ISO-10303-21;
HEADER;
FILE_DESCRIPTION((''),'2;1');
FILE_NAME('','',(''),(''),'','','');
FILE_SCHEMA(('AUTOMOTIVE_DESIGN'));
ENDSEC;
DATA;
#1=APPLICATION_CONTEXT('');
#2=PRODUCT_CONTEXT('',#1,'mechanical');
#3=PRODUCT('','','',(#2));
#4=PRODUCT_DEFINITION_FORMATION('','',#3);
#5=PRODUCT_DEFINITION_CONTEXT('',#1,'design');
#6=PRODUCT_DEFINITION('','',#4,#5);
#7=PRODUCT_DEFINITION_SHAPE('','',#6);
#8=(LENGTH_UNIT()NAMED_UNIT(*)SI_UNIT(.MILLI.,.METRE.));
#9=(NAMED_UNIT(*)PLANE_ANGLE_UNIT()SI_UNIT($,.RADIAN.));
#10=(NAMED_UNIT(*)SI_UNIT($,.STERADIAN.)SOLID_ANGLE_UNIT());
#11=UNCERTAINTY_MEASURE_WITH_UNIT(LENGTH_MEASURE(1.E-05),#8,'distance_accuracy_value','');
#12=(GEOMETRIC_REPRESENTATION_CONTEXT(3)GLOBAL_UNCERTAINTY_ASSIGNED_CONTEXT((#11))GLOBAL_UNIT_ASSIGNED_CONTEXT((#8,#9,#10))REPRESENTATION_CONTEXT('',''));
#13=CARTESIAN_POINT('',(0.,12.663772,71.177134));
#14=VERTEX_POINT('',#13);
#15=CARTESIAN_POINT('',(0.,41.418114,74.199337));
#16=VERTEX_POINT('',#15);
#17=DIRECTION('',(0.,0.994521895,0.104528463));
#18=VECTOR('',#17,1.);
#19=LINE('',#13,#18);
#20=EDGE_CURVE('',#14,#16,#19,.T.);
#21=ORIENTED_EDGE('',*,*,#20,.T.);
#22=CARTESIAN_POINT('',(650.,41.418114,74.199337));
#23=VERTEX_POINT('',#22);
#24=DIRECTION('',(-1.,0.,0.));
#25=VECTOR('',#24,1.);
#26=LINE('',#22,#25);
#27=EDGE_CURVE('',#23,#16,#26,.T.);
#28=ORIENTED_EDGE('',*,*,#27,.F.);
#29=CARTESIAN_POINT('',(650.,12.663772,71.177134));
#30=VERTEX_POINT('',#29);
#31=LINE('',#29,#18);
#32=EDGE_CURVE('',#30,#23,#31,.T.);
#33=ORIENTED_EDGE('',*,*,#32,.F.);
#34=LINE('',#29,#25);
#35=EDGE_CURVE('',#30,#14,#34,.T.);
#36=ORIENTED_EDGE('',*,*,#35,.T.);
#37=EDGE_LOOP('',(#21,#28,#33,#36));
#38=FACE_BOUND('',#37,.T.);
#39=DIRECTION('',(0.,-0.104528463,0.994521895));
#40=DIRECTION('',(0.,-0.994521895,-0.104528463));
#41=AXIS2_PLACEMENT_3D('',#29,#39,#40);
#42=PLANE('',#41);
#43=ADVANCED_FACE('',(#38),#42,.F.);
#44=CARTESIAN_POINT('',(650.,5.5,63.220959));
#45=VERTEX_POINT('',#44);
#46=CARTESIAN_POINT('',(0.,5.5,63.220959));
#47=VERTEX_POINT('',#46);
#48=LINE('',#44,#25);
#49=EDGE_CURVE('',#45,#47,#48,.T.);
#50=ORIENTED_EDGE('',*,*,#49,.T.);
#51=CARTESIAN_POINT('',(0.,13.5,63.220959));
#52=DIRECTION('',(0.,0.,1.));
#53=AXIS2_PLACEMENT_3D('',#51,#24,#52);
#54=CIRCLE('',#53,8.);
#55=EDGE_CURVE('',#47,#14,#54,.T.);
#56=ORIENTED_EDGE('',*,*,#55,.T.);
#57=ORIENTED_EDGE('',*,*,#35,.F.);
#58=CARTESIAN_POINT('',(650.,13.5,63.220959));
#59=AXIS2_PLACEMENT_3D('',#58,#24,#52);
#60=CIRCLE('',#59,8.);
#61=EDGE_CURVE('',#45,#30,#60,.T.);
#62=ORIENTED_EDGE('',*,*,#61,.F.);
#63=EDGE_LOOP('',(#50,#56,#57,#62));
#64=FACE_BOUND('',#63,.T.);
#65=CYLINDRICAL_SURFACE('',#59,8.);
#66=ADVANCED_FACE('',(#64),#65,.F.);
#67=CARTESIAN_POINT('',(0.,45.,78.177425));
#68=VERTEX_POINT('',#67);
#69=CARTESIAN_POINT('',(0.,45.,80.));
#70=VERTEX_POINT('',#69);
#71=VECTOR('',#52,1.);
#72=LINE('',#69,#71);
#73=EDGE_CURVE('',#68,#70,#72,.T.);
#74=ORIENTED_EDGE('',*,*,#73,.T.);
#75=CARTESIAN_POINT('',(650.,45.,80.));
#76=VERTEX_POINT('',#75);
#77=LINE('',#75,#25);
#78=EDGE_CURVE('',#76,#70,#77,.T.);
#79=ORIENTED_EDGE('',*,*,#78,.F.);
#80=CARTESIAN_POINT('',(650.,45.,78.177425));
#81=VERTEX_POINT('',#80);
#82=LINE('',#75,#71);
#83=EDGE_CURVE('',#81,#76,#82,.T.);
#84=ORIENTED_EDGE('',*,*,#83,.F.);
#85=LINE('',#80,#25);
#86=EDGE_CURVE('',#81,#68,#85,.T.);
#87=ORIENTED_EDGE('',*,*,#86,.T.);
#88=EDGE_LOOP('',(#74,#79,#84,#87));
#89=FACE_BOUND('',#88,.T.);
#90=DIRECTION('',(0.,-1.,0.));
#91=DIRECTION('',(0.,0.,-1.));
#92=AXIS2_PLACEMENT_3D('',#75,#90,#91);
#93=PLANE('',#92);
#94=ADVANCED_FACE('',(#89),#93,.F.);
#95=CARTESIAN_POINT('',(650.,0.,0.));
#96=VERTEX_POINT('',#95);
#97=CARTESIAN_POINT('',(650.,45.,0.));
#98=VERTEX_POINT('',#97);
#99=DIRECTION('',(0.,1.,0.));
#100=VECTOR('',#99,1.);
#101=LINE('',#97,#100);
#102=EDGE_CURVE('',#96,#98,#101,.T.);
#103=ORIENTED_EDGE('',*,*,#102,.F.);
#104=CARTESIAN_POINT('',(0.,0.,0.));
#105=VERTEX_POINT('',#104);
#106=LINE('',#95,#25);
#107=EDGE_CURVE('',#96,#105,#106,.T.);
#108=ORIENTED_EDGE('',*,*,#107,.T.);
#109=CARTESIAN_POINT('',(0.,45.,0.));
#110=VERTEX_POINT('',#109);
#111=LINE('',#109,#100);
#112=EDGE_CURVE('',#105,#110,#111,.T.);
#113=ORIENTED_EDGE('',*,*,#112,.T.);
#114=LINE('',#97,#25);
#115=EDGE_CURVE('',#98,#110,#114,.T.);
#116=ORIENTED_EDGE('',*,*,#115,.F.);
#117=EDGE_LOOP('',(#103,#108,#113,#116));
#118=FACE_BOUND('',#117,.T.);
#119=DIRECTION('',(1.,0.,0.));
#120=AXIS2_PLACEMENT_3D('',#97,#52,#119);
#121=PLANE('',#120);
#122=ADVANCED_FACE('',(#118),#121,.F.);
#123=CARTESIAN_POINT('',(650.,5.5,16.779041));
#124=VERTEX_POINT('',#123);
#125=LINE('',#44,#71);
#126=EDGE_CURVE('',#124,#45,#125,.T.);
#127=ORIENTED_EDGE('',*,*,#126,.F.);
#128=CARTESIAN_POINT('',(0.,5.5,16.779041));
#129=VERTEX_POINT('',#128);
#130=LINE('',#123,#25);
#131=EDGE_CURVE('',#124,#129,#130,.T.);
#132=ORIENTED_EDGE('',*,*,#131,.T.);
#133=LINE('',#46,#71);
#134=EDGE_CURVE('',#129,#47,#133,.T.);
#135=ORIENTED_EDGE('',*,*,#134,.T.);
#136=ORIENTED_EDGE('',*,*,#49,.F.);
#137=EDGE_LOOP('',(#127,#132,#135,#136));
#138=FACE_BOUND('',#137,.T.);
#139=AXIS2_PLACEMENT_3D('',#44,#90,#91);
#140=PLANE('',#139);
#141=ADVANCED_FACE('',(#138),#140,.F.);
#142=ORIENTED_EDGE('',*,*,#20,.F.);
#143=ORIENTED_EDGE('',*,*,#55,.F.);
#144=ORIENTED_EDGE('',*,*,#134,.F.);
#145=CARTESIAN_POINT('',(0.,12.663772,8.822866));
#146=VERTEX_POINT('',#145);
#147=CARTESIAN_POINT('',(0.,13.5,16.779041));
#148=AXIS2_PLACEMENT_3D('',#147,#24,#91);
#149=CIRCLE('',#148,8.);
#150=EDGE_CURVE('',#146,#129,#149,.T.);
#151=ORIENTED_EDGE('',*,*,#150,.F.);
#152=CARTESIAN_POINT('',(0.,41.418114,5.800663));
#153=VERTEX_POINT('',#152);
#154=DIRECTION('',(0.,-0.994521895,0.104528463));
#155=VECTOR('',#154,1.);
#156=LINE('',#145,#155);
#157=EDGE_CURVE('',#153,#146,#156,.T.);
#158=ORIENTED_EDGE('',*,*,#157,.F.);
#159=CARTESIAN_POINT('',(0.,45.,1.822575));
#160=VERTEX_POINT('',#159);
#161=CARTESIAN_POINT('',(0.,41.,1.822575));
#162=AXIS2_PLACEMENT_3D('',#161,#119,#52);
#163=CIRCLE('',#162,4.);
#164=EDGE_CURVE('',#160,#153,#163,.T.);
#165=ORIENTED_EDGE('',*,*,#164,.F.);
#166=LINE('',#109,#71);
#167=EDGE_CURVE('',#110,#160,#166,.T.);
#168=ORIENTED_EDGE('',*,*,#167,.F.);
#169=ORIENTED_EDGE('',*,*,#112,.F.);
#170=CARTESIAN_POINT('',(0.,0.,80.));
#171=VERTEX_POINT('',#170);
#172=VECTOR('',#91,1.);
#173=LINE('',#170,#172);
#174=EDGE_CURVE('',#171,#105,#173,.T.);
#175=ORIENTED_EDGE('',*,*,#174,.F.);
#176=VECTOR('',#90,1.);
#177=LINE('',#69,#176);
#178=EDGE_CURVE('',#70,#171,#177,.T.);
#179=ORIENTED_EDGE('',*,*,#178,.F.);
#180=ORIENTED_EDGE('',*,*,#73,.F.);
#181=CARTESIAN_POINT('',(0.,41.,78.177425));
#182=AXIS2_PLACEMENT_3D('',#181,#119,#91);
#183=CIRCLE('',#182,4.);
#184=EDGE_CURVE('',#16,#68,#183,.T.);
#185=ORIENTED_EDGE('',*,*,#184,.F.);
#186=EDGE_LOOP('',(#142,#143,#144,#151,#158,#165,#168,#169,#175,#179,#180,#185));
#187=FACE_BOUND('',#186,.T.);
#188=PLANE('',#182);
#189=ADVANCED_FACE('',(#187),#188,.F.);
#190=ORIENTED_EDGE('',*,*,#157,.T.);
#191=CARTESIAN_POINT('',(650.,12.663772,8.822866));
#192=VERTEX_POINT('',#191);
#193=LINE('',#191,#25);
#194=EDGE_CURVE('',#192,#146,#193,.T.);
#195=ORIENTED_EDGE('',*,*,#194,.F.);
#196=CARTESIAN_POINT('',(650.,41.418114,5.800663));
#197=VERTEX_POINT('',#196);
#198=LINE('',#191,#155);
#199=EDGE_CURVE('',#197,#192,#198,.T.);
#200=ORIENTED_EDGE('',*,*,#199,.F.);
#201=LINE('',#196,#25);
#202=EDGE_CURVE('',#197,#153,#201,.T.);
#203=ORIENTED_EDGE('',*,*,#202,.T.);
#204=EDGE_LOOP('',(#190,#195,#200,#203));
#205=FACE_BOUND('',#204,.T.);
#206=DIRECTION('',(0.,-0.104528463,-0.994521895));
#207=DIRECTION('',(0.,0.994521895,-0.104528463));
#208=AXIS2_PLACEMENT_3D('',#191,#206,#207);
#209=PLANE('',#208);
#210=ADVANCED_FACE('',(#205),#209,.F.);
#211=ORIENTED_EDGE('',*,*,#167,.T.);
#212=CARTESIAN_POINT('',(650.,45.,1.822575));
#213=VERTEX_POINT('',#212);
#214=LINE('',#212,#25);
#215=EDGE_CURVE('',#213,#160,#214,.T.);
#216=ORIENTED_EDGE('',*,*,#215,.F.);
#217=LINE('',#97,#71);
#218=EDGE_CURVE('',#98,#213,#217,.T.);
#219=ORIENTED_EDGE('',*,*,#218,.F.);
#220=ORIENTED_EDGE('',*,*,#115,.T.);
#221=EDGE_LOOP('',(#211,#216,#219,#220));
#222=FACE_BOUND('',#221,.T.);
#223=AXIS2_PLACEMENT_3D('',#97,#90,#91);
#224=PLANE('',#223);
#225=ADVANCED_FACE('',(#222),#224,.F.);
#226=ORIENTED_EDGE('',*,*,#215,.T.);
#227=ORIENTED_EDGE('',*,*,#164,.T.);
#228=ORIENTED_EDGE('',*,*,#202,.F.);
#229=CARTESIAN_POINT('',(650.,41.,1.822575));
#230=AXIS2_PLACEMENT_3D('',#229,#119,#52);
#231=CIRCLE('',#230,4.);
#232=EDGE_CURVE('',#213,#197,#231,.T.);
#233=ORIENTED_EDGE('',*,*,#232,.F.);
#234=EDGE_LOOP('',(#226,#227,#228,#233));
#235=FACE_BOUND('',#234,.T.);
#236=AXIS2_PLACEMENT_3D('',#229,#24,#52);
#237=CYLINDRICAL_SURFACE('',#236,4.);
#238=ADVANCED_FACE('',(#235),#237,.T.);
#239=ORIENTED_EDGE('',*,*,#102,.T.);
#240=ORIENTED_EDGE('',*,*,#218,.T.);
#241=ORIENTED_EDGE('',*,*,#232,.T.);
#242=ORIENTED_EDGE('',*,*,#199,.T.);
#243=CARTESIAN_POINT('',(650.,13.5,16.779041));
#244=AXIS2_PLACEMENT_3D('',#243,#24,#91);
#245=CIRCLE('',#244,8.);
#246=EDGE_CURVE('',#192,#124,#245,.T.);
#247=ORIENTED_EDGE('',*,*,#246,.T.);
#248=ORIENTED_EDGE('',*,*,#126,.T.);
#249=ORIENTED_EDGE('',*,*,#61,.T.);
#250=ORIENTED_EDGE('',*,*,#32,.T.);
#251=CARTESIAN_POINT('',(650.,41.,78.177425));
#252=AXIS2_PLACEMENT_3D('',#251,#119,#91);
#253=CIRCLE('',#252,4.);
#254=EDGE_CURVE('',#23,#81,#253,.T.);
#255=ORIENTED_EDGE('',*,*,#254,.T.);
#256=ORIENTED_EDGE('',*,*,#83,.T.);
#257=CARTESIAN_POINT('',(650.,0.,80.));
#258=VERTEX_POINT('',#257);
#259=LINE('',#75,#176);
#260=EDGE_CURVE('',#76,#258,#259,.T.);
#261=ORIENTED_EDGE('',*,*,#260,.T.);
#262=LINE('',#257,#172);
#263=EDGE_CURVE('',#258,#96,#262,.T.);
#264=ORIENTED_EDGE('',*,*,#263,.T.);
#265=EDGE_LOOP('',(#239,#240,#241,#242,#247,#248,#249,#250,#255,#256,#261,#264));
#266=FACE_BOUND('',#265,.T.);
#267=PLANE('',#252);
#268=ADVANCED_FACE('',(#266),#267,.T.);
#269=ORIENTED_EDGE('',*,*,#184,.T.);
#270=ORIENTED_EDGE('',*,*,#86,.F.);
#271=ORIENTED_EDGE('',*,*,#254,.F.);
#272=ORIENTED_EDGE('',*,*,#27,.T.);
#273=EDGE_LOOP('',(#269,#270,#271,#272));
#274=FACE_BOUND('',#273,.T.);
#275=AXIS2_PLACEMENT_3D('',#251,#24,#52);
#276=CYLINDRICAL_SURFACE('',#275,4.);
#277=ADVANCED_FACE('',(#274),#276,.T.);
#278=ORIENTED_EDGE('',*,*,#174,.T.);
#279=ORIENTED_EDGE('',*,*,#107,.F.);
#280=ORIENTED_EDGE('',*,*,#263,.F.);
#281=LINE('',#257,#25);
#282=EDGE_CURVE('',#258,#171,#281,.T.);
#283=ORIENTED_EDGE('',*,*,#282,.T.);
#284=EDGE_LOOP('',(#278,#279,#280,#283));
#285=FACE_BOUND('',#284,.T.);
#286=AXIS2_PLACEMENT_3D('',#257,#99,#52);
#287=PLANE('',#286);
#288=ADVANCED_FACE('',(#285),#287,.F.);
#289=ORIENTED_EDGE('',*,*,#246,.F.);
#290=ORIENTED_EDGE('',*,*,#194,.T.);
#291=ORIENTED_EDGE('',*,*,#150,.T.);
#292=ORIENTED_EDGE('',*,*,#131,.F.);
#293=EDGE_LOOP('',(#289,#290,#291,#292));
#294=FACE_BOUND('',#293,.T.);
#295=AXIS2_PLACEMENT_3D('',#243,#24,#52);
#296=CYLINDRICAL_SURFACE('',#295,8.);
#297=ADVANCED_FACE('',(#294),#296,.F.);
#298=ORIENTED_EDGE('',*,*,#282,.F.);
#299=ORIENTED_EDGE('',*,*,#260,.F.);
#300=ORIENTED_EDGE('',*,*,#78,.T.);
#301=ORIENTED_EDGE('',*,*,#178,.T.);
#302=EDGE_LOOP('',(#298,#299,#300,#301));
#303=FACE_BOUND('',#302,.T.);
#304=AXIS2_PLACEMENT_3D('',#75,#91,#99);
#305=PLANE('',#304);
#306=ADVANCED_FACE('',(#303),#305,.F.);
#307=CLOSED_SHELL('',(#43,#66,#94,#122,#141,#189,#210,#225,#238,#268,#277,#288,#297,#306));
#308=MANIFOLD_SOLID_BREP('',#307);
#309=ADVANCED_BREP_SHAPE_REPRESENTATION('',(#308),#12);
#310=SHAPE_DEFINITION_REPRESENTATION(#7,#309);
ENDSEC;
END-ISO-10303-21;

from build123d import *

# Parameters (mm, degrees)
CANAL_C_80_X_8_1_DEPTH = 650


with BuildPart() as part:
    # Sketch15 → Canal c 80 X 8(1) (new body)
    with BuildSketch(Plane.YZ):
        with BuildLine():
            Line((45, 80), (0, 80))
            Line((0, 80), (0, 0))
            Line((0, 0), (45, 0))
            Line((45, 0), (45, 1.822575175))
            ThreePointArc((45, 1.822575175), (43.972579302, 4.499097601), (41.418113853, 5.800662757))
            Line((41.418113853, 5.800662757), (12.663772294, 8.822865837))
            ThreePointArc((12.663772294, 8.822865837), (7.554841396, 11.425996149), (5.5, 16.779041))
            Line((5.5, 16.779041), (5.5, 63.220959))
            ThreePointArc((5.5, 63.220959), (7.554841396, 68.574003851), (12.663772294, 71.177134163))
            Line((12.663772294, 71.177134163), (41.418113853, 74.199337243))
            ThreePointArc((41.418113853, 74.199337243), (43.972579302, 75.500902399), (45, 78.177424825))
            Line((45, 78.177424825), (45, 80))
        make_face()
    extrude(amount=CANAL_C_80_X_8_1_DEPTH)


solid = part.part
